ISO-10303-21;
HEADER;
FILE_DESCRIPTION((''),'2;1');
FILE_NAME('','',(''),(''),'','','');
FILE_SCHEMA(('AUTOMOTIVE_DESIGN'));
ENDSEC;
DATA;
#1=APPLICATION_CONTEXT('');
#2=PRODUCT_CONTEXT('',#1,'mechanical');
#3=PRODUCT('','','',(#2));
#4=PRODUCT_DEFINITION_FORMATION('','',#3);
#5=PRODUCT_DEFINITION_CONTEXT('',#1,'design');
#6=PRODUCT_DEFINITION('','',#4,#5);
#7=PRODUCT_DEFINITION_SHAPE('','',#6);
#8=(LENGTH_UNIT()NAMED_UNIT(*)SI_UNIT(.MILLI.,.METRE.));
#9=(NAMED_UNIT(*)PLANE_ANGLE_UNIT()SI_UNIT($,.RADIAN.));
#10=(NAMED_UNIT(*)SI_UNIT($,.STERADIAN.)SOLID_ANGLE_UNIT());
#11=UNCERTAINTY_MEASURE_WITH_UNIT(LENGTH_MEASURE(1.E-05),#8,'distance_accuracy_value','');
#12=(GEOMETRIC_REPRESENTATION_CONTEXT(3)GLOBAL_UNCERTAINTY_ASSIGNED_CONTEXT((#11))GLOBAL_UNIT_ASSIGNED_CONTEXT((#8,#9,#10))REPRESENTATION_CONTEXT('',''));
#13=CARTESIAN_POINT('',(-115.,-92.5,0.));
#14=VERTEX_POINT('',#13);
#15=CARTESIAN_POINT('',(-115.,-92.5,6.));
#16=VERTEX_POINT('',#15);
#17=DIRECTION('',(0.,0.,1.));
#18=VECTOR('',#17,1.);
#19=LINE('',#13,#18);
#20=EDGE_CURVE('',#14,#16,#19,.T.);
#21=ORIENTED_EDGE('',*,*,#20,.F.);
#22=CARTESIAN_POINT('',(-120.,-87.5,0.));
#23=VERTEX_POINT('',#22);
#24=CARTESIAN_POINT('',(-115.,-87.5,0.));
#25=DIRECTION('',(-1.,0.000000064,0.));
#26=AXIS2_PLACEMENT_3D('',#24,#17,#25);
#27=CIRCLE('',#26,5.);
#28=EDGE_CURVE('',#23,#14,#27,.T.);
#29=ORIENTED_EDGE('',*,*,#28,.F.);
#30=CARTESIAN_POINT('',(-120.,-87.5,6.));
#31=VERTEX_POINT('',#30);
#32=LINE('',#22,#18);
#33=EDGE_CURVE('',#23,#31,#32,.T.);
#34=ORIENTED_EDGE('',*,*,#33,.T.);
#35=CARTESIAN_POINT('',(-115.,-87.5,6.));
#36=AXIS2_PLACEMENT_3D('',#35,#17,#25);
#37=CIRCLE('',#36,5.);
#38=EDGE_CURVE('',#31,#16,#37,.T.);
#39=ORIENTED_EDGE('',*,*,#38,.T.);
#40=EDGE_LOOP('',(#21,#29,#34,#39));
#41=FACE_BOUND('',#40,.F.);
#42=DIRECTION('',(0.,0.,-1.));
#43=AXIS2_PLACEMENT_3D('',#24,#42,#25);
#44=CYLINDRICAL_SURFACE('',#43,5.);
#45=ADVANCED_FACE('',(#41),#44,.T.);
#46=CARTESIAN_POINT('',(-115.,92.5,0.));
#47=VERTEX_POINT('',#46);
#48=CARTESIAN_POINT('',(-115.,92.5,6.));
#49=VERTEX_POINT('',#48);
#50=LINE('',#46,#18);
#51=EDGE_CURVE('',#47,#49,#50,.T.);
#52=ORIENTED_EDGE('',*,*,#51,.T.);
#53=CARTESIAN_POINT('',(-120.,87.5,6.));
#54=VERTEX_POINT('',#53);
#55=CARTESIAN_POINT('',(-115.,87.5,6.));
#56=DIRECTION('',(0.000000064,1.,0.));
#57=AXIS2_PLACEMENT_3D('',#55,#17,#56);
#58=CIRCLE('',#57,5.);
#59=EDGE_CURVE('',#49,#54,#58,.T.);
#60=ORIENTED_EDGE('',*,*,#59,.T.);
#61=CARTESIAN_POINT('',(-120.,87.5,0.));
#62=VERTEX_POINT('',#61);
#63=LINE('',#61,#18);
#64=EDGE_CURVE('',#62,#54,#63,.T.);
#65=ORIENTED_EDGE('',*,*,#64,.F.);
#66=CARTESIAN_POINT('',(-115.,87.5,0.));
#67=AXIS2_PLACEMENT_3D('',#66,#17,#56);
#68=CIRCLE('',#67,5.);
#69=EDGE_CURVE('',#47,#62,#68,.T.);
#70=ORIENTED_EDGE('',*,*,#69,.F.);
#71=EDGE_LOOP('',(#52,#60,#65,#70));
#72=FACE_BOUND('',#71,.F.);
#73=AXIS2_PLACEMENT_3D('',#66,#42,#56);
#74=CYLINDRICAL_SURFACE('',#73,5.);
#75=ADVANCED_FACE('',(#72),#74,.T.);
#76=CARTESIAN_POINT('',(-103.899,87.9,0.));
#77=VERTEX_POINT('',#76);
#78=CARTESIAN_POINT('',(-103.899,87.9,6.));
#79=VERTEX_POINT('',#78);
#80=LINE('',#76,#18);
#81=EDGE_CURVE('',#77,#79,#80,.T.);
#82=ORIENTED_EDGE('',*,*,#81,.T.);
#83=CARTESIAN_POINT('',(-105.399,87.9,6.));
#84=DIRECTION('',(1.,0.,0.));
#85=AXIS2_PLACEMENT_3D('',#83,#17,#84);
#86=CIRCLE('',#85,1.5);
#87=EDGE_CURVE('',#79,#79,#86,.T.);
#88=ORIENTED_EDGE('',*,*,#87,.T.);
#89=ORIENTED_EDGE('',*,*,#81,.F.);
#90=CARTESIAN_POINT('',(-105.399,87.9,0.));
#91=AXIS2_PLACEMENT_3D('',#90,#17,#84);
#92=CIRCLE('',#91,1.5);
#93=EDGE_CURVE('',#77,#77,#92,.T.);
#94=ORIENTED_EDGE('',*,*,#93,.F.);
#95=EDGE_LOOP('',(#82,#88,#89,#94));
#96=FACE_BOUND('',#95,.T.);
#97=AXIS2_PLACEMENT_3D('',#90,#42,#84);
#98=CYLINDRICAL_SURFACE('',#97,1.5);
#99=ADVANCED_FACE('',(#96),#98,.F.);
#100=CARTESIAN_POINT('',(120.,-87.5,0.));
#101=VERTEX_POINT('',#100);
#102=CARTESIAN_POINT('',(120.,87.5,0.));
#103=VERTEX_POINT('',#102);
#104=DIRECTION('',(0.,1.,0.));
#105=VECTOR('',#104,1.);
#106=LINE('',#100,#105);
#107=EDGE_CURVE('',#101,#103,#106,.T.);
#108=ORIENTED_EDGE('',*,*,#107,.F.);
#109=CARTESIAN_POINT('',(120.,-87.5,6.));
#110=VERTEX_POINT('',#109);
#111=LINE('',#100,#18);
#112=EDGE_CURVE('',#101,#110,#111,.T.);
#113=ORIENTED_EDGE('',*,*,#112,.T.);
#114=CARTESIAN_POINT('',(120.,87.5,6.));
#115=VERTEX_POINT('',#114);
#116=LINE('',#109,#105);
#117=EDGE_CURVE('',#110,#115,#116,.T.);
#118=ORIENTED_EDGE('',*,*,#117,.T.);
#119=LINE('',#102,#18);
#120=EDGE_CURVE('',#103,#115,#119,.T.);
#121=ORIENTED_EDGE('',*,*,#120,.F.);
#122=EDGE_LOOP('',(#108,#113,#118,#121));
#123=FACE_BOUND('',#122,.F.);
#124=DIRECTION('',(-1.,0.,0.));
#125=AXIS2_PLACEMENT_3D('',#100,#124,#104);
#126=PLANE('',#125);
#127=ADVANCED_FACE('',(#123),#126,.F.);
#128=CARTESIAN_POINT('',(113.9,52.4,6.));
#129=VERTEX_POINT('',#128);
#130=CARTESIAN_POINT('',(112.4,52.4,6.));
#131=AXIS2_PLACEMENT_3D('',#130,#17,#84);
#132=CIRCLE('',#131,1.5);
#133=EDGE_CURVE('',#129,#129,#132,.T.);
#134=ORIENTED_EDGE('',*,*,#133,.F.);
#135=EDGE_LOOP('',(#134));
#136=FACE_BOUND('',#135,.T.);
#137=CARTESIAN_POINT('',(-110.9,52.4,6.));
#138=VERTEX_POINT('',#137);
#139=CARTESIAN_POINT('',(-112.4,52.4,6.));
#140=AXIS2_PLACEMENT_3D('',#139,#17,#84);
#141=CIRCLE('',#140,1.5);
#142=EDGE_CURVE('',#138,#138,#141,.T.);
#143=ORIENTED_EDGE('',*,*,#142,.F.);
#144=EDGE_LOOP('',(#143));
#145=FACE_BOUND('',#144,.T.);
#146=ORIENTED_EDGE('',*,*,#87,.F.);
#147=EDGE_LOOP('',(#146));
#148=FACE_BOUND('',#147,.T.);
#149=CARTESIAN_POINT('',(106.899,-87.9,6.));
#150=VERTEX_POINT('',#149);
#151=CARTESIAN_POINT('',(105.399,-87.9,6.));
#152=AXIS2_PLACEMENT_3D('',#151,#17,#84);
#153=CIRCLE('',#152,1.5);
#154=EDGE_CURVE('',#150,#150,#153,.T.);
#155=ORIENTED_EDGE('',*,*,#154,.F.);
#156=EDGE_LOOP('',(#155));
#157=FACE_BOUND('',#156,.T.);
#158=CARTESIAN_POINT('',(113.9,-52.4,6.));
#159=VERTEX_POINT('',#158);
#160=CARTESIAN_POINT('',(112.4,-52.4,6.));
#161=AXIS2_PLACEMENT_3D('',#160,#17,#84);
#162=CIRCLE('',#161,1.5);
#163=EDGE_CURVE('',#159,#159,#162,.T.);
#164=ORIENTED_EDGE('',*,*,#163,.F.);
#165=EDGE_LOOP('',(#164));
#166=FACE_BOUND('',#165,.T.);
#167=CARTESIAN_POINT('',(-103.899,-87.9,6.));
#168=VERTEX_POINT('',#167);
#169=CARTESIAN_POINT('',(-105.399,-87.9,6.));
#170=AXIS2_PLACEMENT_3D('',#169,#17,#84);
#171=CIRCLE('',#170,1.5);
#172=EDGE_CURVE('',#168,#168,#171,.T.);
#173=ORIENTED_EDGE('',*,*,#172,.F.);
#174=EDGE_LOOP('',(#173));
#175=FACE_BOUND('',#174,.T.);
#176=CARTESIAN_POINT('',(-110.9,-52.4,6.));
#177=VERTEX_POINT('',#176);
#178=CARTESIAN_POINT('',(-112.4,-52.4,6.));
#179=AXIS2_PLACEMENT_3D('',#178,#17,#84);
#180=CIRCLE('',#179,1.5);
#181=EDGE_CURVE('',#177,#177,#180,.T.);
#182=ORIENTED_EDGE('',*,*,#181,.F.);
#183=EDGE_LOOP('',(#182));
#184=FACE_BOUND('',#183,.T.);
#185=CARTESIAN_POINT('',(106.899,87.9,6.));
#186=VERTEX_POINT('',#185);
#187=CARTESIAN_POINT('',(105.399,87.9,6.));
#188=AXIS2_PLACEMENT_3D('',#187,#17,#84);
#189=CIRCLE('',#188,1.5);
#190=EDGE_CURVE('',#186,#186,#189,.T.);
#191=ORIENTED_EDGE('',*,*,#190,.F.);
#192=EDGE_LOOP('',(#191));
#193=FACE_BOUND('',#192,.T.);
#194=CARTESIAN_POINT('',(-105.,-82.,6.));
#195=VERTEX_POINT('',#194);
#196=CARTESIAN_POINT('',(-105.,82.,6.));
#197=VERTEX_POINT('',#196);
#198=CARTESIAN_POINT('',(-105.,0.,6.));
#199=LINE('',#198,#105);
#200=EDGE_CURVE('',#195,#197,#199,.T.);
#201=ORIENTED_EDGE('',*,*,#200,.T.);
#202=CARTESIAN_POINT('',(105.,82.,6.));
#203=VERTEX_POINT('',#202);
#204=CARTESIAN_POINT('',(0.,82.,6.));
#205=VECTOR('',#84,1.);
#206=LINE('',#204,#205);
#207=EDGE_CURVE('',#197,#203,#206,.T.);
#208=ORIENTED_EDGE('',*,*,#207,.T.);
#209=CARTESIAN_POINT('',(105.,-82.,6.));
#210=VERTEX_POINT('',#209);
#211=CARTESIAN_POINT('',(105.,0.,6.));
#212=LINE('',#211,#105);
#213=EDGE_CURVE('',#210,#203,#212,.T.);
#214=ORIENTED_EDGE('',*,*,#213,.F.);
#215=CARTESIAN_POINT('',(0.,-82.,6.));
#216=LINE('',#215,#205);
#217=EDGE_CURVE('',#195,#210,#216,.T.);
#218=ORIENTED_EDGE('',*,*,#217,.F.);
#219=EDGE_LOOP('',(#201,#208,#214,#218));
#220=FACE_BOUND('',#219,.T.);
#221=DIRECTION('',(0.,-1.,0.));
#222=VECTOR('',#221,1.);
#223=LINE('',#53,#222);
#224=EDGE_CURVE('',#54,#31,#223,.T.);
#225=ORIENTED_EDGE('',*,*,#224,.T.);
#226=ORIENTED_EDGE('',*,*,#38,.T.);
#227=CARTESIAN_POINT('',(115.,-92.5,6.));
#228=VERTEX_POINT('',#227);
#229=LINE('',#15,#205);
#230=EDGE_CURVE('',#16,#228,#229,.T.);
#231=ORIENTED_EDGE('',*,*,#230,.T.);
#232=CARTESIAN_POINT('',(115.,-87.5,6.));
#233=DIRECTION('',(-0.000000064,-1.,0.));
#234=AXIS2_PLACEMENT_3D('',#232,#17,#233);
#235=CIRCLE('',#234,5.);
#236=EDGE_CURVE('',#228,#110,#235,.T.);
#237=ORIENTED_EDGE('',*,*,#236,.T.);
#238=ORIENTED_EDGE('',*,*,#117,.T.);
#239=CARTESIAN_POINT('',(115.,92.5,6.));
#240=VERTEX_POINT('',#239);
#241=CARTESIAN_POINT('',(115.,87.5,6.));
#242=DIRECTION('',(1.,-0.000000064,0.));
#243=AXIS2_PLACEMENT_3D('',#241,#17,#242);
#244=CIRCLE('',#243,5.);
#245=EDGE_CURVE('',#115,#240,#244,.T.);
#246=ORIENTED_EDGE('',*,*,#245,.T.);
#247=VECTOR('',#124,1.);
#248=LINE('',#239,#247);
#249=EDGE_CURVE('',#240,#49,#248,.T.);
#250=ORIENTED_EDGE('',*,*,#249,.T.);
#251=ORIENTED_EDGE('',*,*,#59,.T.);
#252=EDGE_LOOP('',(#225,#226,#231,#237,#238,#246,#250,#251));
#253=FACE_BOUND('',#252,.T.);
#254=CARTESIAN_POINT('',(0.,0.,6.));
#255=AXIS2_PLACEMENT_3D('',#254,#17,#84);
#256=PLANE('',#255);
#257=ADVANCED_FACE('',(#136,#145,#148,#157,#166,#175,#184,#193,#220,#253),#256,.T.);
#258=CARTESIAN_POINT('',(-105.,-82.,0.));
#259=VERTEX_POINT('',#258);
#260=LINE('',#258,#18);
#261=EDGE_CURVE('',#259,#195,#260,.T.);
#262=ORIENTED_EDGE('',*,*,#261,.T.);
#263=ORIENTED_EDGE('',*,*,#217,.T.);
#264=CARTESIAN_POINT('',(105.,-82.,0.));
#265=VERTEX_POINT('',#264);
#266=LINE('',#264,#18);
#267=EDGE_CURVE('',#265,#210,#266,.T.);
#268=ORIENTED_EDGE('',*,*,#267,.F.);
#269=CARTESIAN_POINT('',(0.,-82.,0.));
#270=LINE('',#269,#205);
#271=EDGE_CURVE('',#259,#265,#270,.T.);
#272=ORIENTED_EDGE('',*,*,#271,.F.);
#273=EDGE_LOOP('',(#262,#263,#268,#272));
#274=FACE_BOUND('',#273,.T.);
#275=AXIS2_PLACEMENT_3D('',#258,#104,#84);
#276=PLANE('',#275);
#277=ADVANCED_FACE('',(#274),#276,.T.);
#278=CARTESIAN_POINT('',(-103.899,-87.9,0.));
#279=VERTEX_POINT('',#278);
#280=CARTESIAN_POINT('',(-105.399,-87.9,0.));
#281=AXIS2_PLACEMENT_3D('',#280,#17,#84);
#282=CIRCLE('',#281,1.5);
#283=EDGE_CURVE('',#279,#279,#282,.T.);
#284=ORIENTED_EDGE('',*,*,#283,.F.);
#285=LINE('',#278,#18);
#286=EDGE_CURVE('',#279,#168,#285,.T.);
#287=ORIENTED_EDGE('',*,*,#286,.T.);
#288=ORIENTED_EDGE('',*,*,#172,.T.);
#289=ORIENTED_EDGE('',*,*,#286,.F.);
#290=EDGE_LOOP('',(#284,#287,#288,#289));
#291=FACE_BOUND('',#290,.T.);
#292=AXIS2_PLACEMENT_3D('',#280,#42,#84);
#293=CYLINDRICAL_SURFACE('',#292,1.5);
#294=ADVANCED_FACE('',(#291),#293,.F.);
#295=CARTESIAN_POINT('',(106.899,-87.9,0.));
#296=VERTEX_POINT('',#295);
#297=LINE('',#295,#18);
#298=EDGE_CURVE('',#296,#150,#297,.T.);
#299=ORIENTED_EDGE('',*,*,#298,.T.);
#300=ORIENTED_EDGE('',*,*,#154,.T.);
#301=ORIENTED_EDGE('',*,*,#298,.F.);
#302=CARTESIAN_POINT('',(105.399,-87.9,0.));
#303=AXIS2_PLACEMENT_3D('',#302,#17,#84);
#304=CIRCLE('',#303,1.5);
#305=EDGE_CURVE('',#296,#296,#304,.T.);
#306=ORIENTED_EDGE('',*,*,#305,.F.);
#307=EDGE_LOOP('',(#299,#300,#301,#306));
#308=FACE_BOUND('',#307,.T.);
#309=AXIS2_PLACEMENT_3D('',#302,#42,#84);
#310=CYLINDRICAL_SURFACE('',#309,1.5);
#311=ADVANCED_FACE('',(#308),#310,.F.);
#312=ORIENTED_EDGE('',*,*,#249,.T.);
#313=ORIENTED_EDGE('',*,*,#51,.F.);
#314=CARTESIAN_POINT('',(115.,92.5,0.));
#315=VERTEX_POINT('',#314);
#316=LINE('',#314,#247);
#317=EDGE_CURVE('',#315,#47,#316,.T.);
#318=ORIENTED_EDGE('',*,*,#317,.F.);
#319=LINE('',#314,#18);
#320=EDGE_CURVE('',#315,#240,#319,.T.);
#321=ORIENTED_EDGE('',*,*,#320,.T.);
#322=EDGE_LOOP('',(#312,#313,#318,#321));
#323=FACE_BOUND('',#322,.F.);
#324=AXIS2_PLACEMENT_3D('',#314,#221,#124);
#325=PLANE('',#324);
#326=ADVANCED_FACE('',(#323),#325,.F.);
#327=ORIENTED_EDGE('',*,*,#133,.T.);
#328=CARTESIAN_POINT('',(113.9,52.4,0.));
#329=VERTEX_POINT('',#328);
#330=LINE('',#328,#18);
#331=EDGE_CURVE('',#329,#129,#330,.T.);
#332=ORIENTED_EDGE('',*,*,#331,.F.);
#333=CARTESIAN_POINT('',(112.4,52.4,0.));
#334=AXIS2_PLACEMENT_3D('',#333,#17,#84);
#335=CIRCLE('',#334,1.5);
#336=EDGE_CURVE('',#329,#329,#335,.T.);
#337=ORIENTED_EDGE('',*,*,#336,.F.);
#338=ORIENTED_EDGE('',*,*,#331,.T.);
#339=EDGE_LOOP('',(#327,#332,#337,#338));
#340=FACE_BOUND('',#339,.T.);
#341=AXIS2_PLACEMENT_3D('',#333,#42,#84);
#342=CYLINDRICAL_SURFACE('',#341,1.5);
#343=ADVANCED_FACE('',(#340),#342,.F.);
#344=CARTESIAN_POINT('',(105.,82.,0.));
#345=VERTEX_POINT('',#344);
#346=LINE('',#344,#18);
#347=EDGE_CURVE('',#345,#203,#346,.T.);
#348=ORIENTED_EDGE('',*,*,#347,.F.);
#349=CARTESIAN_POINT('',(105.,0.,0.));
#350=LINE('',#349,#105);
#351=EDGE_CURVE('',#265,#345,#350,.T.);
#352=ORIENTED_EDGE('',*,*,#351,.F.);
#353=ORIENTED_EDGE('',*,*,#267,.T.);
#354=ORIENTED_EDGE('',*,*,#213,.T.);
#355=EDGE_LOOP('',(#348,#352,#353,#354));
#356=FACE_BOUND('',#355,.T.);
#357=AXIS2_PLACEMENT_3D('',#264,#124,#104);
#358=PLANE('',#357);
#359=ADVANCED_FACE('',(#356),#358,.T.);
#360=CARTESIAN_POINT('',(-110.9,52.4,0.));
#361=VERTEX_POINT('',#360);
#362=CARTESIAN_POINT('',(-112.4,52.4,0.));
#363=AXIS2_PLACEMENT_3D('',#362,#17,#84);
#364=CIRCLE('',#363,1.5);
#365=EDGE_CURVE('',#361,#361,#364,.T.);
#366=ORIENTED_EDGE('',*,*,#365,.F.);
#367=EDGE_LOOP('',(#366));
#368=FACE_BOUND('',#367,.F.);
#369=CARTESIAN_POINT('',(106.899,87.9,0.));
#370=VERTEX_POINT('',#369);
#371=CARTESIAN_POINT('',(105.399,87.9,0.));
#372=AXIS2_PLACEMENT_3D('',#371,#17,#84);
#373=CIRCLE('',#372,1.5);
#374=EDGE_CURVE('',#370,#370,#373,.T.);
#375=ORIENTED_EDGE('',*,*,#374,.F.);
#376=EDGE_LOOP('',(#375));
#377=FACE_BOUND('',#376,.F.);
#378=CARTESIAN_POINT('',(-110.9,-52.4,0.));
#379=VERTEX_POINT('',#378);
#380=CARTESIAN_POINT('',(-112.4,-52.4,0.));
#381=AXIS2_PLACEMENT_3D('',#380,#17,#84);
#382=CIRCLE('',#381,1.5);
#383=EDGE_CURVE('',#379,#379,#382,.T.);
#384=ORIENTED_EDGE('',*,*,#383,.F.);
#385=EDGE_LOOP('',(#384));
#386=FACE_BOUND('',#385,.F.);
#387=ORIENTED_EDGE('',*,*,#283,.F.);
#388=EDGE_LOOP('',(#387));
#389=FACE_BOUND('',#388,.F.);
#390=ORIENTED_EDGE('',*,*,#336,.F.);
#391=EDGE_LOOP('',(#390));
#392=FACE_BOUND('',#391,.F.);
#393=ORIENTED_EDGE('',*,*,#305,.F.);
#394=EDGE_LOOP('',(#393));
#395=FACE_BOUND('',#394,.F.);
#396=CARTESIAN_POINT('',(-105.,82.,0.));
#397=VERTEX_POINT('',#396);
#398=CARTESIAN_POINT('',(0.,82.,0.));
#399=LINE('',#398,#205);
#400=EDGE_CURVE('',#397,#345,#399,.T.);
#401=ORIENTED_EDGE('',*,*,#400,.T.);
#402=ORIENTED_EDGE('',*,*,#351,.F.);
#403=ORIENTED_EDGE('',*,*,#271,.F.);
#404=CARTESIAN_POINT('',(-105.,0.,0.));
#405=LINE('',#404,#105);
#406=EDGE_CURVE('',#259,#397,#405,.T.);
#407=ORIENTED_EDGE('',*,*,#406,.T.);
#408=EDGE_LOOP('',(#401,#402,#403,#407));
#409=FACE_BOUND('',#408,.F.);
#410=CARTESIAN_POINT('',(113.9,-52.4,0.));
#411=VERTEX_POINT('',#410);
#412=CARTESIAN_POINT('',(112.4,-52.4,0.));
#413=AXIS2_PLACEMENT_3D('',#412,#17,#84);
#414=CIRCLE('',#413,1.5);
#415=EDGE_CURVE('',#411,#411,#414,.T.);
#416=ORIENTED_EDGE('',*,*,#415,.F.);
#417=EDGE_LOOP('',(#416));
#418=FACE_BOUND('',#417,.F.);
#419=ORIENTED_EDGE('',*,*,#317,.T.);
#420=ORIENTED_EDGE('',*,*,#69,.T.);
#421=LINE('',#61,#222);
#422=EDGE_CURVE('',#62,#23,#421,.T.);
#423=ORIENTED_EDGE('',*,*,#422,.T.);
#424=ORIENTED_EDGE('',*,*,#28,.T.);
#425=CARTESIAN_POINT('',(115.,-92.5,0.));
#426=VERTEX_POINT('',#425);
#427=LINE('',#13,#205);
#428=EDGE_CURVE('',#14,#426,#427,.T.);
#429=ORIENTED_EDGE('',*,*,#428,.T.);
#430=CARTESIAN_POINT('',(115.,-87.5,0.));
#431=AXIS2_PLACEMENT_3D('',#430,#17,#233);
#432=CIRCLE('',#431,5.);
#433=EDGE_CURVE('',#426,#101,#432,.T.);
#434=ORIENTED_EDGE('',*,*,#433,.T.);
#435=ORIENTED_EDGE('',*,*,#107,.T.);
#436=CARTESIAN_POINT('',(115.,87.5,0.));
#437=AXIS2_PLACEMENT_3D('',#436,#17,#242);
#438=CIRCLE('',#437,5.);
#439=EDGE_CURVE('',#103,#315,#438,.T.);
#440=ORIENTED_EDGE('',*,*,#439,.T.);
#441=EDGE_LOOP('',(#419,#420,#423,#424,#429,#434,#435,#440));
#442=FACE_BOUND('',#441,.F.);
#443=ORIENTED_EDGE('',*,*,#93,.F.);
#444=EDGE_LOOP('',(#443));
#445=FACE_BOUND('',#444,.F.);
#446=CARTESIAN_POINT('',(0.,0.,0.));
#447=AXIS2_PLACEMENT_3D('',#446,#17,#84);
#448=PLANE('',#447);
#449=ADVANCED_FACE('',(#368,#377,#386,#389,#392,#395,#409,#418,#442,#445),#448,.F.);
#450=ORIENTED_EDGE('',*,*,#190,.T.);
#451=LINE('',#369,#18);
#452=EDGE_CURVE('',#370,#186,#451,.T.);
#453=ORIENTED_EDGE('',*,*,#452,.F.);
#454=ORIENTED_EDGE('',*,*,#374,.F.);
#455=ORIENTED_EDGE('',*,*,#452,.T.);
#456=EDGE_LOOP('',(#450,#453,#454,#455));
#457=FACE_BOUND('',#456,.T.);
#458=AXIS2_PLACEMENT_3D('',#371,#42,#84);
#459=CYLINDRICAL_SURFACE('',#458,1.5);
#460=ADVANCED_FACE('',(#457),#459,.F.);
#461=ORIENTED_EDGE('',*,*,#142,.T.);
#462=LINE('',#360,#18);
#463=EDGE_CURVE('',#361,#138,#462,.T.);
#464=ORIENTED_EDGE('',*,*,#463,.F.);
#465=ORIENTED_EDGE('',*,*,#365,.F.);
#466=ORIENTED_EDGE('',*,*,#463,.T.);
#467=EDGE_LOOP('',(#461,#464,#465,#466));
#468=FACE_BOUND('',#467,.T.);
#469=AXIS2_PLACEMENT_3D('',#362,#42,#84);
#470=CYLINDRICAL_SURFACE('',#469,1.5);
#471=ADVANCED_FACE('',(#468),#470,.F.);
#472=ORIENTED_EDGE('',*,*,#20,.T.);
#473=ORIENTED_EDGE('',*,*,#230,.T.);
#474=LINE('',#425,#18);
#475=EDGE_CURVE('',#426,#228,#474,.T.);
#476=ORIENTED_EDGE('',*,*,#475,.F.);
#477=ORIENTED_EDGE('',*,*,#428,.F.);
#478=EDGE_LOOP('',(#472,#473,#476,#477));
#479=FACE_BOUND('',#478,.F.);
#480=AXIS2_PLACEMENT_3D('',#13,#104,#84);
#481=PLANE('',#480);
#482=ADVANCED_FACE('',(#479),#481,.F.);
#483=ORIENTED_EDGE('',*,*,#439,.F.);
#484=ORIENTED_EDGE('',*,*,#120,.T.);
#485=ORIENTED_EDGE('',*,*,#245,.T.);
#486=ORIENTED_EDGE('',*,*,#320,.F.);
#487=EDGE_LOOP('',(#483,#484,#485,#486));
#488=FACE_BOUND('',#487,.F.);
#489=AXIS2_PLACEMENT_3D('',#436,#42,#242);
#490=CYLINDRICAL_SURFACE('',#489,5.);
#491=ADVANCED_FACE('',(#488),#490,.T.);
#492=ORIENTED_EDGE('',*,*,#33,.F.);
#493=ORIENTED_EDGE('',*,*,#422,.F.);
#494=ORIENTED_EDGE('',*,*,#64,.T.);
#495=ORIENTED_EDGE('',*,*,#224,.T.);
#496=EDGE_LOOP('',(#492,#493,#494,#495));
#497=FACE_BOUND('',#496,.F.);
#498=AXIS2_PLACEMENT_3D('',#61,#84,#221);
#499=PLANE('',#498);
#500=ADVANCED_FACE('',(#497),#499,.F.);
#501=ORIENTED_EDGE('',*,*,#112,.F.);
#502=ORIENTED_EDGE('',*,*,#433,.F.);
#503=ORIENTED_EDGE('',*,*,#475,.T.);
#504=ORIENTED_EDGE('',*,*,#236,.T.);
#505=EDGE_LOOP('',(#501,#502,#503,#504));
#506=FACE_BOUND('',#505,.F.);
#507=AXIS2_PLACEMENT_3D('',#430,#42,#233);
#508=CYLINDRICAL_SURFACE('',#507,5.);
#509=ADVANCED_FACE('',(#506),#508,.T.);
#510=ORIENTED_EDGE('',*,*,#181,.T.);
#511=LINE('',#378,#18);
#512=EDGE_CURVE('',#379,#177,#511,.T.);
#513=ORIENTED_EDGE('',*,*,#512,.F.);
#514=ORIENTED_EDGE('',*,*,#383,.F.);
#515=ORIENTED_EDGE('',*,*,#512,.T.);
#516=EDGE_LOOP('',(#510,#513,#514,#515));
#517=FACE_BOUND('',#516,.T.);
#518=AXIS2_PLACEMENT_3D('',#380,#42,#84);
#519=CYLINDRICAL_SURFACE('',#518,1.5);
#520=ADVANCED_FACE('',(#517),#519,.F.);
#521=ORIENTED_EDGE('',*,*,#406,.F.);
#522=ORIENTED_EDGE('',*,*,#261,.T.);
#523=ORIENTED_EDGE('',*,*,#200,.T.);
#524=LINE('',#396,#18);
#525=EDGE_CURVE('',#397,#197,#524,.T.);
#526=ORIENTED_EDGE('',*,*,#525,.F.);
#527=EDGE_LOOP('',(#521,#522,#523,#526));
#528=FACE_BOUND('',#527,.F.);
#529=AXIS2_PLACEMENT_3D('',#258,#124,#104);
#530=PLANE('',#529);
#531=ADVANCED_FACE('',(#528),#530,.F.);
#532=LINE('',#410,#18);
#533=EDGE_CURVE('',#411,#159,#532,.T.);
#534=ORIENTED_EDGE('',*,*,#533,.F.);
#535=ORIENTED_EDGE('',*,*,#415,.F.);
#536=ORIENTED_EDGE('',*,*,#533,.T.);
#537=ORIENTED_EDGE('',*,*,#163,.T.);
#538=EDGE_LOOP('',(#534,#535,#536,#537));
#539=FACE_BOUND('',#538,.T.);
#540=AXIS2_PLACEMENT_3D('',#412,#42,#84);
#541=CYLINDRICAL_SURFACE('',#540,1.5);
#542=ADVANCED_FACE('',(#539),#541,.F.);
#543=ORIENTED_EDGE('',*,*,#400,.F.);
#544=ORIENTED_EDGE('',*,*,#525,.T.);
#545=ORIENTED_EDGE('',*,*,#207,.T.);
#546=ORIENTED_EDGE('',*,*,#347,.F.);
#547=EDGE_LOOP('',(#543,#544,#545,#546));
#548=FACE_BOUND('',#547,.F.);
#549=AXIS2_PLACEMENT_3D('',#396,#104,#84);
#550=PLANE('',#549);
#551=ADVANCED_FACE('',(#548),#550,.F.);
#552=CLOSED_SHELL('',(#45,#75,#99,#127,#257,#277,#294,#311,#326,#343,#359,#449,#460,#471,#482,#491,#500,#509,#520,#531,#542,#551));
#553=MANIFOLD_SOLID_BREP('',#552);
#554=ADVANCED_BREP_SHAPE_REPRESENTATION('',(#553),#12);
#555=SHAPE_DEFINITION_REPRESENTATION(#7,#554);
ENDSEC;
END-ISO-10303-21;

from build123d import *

# Parameters (mm, degrees)
F0_R     = 1.5
F0_W     = 210
F0_H     = 164
F1_DEPTH = 6


with BuildPart() as f1:
    # F0 (on Top) → F1 (new body)
    with BuildSketch(Plane.XY):
        with BuildLine():
            Line((-115, -92.5), (115, -92.5))
            ThreePointArc((115, -92.5), (118.535534, -91.035534), (120, -87.5))
            Line((120, -87.5), (120, 87.5))
            ThreePointArc((120, 87.5), (118.535534, 91.035534), (115, 92.5))
            Line((115, 92.5), (-115, 92.5))
            ThreePointArc((-115, 92.5), (-118.535534, 91.035534), (-120, 87.5))
            Line((-120, 87.5), (-120, -87.5))
            ThreePointArc((-120, -87.5), (-118.535534, -91.035534), (-115, -92.5))
        make_face()
        with Locations((-105.399, -87.9)):
            Circle(F0_R, mode=Mode.SUBTRACT)
        with Locations((-112.4, -52.4)):
            Circle(F0_R, mode=Mode.SUBTRACT)
        with Locations((105.399, -87.9)):
            Circle(F0_R, mode=Mode.SUBTRACT)
        with Locations((112.4, -52.4)):
            Circle(F0_R, mode=Mode.SUBTRACT)
        with Locations((-112.4, 52.4)):
            Circle(F0_R, mode=Mode.SUBTRACT)
        with Locations((-105.399, 87.9)):
            Circle(F0_R, mode=Mode.SUBTRACT)
        Rectangle(F0_W, F0_H, mode=Mode.SUBTRACT)
        with Locations((112.4, 52.4)):
            Circle(F0_R, mode=Mode.SUBTRACT)
        with Locations((105.399, 87.9)):
            Circle(F0_R, mode=Mode.SUBTRACT)
    extrude(amount=F1_DEPTH)


solid = f1.part
